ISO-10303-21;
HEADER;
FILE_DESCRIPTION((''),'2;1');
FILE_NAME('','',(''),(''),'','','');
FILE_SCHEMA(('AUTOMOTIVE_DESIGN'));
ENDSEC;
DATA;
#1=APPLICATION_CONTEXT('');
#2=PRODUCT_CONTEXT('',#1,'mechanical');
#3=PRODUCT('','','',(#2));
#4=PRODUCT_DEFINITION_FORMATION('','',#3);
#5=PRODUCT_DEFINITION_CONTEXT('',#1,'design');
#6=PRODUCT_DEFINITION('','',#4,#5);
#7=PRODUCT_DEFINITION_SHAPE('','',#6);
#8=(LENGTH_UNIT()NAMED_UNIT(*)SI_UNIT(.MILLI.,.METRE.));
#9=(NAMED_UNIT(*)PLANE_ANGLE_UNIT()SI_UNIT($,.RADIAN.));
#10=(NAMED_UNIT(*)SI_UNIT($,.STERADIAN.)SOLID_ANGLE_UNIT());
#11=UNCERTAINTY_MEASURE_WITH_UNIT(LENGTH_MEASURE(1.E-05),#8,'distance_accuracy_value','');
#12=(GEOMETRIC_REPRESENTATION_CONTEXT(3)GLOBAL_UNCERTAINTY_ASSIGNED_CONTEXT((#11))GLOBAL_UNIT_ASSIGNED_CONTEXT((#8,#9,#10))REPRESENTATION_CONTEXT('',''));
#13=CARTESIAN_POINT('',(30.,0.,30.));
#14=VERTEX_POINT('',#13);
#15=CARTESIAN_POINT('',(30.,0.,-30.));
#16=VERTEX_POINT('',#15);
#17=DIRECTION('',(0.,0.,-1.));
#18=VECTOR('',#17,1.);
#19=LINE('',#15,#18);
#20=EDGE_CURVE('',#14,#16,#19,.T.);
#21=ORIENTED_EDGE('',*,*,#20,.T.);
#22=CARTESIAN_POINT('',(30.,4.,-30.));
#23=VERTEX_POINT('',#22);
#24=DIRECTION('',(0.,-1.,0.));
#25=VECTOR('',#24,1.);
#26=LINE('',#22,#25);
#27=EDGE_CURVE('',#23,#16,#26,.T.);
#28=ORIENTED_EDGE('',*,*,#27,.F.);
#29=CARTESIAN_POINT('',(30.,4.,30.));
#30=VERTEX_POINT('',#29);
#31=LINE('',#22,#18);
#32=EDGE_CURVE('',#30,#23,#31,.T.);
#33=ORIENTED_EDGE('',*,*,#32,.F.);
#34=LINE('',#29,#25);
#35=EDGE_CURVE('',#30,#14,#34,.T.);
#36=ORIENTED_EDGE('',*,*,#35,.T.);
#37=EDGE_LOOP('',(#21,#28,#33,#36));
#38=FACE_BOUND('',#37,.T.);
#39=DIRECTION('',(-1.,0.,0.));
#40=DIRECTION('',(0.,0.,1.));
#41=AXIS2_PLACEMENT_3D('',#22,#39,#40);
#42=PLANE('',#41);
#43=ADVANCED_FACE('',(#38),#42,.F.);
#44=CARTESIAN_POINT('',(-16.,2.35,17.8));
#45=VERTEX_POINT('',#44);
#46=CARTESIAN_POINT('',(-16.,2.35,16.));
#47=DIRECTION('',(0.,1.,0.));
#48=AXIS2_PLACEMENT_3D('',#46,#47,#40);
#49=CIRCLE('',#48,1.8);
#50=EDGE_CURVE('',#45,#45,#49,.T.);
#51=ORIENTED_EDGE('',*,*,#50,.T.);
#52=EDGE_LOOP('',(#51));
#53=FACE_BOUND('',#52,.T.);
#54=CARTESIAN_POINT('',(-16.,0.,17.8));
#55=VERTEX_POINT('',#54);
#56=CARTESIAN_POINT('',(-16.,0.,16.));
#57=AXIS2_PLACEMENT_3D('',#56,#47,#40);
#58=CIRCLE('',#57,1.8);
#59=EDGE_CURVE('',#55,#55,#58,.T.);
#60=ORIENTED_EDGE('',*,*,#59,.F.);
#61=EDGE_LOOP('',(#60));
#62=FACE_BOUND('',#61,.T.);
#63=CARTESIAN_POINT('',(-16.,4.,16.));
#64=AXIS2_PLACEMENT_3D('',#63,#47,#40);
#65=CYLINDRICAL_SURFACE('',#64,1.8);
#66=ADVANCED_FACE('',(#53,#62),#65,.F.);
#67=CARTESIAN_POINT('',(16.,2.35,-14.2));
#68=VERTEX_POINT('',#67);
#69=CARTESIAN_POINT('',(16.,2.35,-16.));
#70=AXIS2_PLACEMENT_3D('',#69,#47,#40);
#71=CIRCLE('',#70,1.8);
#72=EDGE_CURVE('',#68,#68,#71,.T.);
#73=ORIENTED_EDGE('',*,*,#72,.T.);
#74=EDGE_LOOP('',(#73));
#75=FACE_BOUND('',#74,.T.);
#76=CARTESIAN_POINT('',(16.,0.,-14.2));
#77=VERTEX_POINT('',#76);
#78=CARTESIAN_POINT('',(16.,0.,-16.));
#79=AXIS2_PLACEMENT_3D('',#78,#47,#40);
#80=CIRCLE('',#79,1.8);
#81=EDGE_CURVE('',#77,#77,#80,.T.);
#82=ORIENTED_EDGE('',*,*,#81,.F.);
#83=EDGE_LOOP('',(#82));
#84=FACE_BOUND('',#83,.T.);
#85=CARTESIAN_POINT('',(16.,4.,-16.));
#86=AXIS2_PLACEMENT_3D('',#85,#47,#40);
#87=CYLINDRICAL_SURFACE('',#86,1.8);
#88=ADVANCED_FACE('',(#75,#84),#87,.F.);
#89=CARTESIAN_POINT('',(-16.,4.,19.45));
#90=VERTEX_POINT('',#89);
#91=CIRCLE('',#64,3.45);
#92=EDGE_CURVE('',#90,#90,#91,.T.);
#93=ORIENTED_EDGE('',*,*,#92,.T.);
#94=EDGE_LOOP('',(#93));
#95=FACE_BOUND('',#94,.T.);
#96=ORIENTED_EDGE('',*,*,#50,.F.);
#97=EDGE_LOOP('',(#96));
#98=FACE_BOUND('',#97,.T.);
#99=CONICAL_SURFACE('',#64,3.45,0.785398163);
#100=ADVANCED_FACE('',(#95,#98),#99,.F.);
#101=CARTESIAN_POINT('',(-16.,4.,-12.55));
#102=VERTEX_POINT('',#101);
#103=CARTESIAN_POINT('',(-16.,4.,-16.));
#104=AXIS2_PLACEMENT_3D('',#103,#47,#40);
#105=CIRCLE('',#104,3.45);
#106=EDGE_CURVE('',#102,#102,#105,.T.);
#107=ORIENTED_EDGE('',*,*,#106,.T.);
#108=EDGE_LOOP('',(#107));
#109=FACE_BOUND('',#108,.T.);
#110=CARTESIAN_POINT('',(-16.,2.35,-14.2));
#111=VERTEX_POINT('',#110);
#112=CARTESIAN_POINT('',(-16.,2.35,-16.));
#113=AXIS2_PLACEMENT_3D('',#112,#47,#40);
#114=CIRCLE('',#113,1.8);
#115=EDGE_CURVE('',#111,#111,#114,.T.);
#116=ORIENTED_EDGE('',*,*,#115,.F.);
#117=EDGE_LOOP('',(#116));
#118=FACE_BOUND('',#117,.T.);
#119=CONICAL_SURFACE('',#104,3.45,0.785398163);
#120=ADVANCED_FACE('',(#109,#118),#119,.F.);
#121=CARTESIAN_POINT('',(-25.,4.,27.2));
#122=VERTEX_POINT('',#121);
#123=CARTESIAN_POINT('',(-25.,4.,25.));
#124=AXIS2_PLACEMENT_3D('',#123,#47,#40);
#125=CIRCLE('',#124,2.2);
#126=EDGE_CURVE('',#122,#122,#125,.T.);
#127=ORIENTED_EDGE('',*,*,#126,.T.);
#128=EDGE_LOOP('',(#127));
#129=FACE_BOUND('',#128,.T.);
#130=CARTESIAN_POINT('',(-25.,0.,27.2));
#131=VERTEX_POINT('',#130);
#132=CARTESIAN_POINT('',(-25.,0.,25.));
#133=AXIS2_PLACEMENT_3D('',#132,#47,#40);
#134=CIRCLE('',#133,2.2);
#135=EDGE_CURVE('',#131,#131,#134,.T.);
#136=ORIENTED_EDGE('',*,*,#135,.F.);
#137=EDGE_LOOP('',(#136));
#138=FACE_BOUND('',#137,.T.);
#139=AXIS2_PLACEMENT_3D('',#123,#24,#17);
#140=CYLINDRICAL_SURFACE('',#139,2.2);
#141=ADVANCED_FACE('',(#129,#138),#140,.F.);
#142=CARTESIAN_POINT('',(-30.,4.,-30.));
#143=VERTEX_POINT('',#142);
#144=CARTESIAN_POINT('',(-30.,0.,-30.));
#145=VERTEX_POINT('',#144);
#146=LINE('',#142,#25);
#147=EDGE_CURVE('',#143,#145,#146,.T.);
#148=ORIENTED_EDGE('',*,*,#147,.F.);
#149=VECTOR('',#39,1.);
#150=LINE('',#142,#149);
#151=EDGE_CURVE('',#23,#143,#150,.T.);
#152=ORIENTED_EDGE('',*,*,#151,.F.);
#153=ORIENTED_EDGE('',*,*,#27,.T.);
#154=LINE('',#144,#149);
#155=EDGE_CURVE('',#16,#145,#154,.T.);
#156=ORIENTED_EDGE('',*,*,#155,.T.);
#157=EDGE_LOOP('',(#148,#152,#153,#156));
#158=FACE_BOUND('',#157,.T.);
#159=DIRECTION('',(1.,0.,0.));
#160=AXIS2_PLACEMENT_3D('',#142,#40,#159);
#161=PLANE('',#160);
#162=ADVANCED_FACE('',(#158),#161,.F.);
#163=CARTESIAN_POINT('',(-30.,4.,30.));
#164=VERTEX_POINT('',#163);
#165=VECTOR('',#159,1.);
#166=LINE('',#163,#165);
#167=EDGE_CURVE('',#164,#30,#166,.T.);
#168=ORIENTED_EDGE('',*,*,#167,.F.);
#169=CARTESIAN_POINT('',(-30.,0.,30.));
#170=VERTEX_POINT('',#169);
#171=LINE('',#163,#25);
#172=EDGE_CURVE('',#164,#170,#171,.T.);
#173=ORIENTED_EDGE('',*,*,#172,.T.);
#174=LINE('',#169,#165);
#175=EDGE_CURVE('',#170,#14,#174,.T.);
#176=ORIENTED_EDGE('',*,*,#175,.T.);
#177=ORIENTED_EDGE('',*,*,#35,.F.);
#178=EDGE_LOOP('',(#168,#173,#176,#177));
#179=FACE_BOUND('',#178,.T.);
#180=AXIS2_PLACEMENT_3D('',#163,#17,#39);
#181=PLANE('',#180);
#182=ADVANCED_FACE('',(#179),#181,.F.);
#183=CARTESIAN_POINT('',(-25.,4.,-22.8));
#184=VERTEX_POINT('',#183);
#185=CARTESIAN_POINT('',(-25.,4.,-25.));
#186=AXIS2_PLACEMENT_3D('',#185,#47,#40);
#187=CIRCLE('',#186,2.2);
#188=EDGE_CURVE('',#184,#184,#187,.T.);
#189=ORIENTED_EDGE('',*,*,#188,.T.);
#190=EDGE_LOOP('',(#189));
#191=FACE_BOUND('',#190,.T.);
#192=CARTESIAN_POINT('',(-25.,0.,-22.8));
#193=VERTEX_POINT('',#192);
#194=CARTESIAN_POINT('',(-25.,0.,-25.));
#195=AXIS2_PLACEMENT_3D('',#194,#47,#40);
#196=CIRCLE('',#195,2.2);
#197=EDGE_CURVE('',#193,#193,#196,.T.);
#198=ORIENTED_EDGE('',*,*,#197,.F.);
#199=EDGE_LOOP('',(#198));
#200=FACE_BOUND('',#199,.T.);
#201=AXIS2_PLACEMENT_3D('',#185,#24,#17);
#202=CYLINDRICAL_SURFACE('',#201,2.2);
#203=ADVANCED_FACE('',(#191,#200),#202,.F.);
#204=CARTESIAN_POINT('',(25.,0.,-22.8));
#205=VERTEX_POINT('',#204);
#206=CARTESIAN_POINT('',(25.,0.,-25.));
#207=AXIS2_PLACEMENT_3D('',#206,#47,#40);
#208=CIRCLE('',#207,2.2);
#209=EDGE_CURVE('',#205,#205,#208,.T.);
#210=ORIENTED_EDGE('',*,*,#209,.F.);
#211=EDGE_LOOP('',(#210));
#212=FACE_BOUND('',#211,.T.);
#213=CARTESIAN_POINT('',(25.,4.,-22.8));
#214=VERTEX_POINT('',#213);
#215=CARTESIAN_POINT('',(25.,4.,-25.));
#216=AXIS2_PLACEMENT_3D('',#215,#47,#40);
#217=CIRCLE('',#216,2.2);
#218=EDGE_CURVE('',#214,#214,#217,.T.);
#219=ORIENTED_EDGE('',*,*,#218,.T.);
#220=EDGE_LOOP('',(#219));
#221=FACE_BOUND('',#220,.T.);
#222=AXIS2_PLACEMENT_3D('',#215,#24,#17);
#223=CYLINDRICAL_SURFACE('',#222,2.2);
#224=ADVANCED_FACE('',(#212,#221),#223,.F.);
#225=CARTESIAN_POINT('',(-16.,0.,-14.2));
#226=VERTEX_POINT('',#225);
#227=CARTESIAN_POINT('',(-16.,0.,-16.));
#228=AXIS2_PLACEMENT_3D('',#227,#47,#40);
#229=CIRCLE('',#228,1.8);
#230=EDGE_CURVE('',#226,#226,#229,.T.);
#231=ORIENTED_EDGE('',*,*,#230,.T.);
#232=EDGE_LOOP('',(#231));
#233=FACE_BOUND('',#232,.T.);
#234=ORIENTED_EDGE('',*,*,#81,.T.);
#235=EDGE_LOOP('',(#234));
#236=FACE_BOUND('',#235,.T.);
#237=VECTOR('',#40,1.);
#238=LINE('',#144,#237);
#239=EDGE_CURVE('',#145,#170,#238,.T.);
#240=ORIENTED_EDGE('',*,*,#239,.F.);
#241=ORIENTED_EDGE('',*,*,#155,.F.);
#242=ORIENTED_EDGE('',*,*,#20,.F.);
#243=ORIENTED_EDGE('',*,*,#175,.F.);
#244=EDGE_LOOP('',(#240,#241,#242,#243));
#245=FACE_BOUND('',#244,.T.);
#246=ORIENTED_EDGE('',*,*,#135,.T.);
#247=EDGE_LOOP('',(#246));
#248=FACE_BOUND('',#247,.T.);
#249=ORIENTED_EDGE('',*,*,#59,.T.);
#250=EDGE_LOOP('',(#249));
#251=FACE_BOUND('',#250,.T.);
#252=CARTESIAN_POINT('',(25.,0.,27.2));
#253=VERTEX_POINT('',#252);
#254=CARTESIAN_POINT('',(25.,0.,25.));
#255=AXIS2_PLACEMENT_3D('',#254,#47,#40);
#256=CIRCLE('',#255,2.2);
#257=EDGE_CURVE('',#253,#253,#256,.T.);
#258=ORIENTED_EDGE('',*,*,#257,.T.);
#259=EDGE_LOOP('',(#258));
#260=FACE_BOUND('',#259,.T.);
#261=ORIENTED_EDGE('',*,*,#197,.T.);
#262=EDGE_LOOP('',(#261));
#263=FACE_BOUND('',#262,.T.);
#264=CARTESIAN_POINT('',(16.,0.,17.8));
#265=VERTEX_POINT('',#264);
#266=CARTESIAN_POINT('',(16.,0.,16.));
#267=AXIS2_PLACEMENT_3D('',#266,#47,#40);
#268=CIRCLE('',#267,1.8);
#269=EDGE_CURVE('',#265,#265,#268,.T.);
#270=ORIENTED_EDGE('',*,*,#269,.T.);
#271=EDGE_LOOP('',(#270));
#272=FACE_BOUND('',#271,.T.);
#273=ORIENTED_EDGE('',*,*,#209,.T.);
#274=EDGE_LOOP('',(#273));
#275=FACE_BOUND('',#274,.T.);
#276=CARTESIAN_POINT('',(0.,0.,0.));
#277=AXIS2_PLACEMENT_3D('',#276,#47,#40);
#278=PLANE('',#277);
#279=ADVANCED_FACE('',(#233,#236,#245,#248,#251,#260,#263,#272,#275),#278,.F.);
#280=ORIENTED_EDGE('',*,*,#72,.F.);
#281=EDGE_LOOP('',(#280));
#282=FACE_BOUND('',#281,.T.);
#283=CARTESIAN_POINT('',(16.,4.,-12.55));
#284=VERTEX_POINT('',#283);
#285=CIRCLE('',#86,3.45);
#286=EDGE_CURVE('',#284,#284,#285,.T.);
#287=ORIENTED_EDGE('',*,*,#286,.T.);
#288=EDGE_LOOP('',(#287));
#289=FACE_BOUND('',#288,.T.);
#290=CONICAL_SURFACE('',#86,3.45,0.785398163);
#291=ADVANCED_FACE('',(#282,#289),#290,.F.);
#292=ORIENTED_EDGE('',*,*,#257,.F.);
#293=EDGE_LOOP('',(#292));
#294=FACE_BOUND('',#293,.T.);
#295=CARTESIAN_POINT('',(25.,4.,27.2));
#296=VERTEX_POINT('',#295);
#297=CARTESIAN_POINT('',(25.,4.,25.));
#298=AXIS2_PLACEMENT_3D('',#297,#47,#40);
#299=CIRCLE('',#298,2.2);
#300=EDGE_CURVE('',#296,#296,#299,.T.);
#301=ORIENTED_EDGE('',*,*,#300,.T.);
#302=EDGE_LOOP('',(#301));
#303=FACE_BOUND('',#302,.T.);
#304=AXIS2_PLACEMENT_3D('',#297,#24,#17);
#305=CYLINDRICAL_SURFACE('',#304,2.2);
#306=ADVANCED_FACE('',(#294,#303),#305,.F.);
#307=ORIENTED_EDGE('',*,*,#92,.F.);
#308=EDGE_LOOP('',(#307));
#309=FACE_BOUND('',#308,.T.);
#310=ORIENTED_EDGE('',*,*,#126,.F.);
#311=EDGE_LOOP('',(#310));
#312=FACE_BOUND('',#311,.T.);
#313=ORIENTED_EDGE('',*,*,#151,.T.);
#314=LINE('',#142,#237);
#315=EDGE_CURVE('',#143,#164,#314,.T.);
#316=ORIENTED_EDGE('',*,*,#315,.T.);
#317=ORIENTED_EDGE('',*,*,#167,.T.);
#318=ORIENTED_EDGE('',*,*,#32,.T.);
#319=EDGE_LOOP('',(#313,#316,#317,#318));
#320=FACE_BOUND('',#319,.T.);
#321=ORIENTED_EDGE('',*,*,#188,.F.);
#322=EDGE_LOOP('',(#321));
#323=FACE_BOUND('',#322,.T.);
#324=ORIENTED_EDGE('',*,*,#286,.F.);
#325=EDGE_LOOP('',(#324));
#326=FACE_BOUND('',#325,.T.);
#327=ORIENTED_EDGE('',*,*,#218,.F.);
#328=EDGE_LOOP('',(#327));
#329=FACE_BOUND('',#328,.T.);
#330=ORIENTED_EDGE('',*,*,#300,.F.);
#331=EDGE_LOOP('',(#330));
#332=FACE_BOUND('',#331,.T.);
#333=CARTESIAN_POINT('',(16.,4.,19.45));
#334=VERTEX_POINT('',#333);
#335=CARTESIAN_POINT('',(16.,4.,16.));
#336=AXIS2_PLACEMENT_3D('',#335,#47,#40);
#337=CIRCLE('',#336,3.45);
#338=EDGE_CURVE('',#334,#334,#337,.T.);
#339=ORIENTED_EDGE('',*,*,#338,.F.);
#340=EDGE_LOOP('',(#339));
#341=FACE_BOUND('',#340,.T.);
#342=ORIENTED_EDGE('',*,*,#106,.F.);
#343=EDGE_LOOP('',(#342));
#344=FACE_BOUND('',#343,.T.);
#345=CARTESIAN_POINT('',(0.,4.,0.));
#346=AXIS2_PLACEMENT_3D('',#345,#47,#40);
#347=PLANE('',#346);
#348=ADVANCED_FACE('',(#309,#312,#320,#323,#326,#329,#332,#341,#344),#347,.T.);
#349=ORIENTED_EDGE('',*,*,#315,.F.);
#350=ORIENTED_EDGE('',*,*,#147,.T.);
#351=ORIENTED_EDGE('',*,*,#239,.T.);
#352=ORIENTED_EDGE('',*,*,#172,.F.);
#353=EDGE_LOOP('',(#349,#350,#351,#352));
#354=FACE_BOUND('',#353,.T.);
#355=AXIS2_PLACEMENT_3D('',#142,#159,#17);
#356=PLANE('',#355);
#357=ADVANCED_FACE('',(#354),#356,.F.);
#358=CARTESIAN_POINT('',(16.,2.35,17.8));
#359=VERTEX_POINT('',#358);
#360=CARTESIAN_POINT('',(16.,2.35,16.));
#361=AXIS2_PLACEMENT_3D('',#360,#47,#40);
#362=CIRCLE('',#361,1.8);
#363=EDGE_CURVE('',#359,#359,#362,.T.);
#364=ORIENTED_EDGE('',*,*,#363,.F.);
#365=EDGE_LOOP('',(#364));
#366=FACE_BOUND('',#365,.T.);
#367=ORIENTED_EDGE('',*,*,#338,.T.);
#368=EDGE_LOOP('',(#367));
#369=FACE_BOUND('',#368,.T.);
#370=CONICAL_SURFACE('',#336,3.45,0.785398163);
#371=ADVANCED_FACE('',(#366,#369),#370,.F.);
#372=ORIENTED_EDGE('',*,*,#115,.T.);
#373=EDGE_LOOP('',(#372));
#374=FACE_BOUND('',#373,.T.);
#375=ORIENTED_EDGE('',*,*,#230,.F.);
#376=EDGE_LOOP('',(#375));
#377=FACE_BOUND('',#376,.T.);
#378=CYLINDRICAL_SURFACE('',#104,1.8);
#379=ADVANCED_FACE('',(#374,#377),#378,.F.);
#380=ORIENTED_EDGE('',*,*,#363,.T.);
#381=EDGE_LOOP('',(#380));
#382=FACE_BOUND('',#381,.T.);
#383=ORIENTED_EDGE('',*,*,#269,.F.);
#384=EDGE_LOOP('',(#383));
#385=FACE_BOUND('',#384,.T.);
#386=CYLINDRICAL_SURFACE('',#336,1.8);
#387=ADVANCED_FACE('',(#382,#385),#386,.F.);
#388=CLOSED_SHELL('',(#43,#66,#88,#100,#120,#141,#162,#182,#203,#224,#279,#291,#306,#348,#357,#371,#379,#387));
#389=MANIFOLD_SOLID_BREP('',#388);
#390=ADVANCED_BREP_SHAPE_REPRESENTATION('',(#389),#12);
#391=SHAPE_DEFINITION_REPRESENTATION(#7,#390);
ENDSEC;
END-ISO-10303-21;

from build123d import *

# Parameters (mm, degrees)
SKETCH1_W                                       = 60
SKETCH1_H                                       = 60
SKETCH1_R                                       = 2.2
SKETCH1_R_2                                     = 1.65
BOSS_EXTRUDE1_DEPTH                             = 4
CSK_FOR_M3_FLAT_HEAD_MACHINE_SCREW1_D           = 3.6
CSK_FOR_M3_FLAT_HEAD_MACHINE_SCREW1_CSINK_D     = 6.9
CSK_FOR_M3_FLAT_HEAD_MACHINE_SCREW1_CSINK_ANGLE = 90


with BuildPart() as part:
    # Sketch1 → Boss-Extrude1 (new body)
    with BuildSketch(Plane(origin=(0, 0, 0), x_dir=(1, 0, 0), z_dir=(0, 1, 0))):
        Rectangle(SKETCH1_W, SKETCH1_H)
        with Locations(Location((-25, 25, 0), (0, 0, 270))):
            Circle(SKETCH1_R, mode=Mode.SUBTRACT)
        with Locations(Location((-16, 16, 0), (0, 0, 270))):
            Circle(SKETCH1_R_2, mode=Mode.SUBTRACT)
        with Locations(Location((-25, -25, 0), (0, 0, 270))):
            Circle(SKETCH1_R, mode=Mode.SUBTRACT)
        with Locations(Location((-16, -16, 0), (0, 0, 270))):
            Circle(SKETCH1_R_2, mode=Mode.SUBTRACT)
        with Locations(Location((25, -25, 0), (0, 0, 270))):
            Circle(SKETCH1_R, mode=Mode.SUBTRACT)
        with Locations(Location((16, -16, 0), (0, 0, 270))):
            Circle(SKETCH1_R_2, mode=Mode.SUBTRACT)
        with Locations(Location((25, 25, 0), (0, 0, 270))):
            Circle(SKETCH1_R, mode=Mode.SUBTRACT)
        with Locations(Location((16, 16, 0), (0, 0, 270))):
            Circle(SKETCH1_R_2, mode=Mode.SUBTRACT)
    extrude(amount=BOSS_EXTRUDE1_DEPTH)

    # CSK for M3 Flat Head Machine Screw1 (through all)
    with Locations(Plane(origin=(16, 4, -16), x_dir=(0, 0, 1), z_dir=(0, 1, 0))):
        with Locations((0, 0), (32, 0), (32, -32), (0, -32)):
            CounterSinkHole(CSK_FOR_M3_FLAT_HEAD_MACHINE_SCREW1_D / 2, CSK_FOR_M3_FLAT_HEAD_MACHINE_SCREW1_CSINK_D / 2, counter_sink_angle=CSK_FOR_M3_FLAT_HEAD_MACHINE_SCREW1_CSINK_ANGLE)


solid = part.part
